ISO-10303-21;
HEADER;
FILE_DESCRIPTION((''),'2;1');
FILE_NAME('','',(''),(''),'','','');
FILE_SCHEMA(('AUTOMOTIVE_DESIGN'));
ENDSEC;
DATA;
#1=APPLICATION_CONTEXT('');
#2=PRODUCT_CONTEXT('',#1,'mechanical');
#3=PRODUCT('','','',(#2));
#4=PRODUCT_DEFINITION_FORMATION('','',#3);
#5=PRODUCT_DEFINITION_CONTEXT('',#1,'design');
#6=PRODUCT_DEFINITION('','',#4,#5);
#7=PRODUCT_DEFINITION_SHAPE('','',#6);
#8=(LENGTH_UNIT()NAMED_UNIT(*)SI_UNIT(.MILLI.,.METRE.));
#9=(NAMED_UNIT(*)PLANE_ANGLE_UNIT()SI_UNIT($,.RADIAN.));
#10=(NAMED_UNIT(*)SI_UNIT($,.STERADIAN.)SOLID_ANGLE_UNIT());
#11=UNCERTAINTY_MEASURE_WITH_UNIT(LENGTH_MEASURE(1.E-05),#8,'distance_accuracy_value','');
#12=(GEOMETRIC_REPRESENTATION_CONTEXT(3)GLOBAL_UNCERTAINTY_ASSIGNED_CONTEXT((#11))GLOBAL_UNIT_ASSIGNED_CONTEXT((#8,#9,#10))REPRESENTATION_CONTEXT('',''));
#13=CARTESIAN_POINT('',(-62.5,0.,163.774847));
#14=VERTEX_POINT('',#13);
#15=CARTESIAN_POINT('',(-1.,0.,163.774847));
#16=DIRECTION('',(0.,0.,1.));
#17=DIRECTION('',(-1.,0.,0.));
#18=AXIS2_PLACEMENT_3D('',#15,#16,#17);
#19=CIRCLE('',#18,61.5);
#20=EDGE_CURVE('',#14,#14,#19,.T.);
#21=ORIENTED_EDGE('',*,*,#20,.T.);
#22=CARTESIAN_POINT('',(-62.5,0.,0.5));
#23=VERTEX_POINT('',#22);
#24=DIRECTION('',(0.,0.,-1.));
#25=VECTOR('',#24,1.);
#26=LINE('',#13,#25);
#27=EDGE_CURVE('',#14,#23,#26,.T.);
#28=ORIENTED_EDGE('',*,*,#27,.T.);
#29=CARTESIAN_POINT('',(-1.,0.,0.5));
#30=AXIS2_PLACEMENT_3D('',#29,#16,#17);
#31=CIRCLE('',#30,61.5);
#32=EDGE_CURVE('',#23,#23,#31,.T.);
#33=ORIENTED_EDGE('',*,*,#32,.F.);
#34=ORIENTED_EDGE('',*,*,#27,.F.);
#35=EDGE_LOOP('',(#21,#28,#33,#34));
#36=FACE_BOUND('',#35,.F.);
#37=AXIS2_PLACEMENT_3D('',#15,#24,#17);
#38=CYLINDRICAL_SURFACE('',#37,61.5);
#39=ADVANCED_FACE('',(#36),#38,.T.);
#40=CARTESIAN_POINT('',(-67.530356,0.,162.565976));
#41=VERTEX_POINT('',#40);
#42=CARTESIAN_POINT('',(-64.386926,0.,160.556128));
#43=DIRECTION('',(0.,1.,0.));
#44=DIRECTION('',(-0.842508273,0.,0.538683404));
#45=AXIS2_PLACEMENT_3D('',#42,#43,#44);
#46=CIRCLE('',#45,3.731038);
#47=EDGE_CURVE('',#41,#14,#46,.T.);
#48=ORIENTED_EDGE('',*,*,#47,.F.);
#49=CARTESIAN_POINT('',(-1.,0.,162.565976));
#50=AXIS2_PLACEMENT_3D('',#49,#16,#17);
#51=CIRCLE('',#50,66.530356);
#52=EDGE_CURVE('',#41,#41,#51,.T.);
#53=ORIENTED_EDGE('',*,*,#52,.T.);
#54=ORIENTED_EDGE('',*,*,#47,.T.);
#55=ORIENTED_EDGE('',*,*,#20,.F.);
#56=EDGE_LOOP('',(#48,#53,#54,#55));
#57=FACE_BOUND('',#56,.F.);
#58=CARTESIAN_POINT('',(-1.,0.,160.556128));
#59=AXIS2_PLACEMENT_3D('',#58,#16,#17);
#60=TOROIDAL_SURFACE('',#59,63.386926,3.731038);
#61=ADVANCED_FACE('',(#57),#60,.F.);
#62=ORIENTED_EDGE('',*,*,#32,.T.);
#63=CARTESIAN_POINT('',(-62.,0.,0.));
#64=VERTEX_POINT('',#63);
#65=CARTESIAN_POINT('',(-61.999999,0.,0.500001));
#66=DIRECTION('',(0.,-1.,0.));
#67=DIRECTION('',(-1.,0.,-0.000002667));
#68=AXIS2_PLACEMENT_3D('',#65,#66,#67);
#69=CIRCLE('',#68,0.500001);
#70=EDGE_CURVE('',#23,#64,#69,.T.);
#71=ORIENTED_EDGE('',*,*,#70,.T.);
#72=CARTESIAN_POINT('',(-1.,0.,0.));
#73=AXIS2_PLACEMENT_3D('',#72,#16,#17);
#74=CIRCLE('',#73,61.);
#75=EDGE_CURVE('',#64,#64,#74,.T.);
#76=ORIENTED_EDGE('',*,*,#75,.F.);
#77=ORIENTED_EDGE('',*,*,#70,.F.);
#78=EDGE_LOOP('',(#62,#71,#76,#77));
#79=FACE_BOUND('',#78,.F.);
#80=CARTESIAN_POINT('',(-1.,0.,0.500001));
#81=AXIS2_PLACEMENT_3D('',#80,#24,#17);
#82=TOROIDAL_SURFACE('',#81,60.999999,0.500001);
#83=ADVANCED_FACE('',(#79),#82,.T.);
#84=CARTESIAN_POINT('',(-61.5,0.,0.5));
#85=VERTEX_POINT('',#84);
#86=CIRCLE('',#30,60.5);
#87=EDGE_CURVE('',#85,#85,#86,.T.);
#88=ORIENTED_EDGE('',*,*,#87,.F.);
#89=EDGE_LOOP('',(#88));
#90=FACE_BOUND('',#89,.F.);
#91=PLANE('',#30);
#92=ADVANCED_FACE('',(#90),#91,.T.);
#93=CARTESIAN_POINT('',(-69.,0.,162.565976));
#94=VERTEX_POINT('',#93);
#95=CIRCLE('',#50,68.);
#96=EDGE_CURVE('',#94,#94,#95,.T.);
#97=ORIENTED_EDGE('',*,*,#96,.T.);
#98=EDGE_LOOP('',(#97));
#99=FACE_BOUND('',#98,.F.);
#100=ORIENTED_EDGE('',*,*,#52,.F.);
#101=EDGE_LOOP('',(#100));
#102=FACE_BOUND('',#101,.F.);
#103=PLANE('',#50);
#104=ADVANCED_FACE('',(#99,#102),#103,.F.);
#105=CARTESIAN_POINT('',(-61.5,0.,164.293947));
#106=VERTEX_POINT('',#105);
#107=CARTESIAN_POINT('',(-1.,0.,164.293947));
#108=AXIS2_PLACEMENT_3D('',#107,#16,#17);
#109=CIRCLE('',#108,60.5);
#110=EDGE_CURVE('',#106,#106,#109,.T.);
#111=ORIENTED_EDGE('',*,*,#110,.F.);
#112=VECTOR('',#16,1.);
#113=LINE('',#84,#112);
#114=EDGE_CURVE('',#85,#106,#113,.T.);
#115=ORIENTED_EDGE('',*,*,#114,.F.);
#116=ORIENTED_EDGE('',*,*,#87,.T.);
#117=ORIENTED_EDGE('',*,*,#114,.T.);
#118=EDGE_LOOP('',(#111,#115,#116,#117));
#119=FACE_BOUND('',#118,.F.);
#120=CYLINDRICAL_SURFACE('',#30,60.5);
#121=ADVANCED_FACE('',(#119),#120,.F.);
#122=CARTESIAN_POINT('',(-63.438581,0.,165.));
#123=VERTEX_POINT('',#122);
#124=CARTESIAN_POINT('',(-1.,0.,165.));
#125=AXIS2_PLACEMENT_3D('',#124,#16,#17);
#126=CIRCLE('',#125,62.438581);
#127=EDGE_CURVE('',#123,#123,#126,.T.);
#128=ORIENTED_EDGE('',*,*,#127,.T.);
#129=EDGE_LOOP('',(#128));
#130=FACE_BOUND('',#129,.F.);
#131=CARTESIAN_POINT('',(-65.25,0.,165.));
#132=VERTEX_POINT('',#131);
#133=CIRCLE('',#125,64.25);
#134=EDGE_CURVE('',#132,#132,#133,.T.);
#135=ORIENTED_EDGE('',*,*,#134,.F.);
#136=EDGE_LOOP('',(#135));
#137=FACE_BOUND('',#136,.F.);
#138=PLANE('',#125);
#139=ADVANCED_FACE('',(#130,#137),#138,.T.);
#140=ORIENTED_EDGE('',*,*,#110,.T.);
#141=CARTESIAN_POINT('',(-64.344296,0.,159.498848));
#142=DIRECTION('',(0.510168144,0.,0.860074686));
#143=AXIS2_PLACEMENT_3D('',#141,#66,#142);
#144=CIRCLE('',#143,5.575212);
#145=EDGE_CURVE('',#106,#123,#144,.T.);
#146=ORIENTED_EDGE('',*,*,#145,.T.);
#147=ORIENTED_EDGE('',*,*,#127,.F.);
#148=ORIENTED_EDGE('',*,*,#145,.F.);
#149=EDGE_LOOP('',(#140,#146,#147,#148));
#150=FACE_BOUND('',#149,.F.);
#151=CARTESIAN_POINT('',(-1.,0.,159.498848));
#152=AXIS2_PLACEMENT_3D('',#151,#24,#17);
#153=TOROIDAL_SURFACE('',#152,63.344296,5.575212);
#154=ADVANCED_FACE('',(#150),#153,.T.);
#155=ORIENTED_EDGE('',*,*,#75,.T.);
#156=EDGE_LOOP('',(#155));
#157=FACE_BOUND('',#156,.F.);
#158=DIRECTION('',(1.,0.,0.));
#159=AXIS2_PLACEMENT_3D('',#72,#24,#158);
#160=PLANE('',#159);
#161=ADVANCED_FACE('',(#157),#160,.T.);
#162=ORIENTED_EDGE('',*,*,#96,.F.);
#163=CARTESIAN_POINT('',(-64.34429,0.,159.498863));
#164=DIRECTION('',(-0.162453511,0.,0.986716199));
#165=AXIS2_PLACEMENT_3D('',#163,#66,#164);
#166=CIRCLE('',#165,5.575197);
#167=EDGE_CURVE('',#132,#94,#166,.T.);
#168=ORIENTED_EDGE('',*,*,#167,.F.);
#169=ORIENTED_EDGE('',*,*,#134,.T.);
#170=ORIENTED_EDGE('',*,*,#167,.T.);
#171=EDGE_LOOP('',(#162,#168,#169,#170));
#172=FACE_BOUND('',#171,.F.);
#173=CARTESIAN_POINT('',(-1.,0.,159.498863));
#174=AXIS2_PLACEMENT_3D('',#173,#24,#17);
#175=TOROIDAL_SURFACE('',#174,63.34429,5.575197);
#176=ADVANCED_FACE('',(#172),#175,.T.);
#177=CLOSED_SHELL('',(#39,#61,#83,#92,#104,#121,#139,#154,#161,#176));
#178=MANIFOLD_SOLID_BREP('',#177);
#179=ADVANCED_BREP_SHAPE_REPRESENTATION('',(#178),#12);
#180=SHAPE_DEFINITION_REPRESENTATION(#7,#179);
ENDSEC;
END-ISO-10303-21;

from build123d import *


with BuildPart() as f1:
    # F0 (on Front) → F1 (revolve)
    with BuildSketch(Plane.XZ):
        with BuildLine():
            Line((-61.5, 0), (-1, 0))
            Line((-1, 0), (-1, 0.5))
            Line((-1, 0.5), (-61.5, 0.5))
            Line((-61.5, 0.5), (-61.5, 164.293947))
            ThreePointArc((-61.5, 164.293947), (-62.436346, 164.737428), (-63.438581, 165))
            Line((-63.438581, 165), (-65.25, 165))
            ThreePointArc((-65.25, 165), (-67.379659, 164.175331), (-69, 162.565976))
            Line((-69, 162.565976), (-67.530356, 162.565976))
            ThreePointArc((-67.530356, 162.565976), (-65.25873, 164.183882), (-62.5, 163.774847))
            Line((-62.5, 163.774847), (-62.5, 162.919664))
            Line((-62.5, 162.919664), (-62.5, 0.5))
            ThreePointArc((-62.5, 0.5), (-62.353553, 0.146447), (-62, 0))
            Line((-62, 0), (-61.5, 0))
        make_face()
    revolve(axis=Axis((-1, 0, 17.714524), (0, 0, 1)))


solid = f1.part
